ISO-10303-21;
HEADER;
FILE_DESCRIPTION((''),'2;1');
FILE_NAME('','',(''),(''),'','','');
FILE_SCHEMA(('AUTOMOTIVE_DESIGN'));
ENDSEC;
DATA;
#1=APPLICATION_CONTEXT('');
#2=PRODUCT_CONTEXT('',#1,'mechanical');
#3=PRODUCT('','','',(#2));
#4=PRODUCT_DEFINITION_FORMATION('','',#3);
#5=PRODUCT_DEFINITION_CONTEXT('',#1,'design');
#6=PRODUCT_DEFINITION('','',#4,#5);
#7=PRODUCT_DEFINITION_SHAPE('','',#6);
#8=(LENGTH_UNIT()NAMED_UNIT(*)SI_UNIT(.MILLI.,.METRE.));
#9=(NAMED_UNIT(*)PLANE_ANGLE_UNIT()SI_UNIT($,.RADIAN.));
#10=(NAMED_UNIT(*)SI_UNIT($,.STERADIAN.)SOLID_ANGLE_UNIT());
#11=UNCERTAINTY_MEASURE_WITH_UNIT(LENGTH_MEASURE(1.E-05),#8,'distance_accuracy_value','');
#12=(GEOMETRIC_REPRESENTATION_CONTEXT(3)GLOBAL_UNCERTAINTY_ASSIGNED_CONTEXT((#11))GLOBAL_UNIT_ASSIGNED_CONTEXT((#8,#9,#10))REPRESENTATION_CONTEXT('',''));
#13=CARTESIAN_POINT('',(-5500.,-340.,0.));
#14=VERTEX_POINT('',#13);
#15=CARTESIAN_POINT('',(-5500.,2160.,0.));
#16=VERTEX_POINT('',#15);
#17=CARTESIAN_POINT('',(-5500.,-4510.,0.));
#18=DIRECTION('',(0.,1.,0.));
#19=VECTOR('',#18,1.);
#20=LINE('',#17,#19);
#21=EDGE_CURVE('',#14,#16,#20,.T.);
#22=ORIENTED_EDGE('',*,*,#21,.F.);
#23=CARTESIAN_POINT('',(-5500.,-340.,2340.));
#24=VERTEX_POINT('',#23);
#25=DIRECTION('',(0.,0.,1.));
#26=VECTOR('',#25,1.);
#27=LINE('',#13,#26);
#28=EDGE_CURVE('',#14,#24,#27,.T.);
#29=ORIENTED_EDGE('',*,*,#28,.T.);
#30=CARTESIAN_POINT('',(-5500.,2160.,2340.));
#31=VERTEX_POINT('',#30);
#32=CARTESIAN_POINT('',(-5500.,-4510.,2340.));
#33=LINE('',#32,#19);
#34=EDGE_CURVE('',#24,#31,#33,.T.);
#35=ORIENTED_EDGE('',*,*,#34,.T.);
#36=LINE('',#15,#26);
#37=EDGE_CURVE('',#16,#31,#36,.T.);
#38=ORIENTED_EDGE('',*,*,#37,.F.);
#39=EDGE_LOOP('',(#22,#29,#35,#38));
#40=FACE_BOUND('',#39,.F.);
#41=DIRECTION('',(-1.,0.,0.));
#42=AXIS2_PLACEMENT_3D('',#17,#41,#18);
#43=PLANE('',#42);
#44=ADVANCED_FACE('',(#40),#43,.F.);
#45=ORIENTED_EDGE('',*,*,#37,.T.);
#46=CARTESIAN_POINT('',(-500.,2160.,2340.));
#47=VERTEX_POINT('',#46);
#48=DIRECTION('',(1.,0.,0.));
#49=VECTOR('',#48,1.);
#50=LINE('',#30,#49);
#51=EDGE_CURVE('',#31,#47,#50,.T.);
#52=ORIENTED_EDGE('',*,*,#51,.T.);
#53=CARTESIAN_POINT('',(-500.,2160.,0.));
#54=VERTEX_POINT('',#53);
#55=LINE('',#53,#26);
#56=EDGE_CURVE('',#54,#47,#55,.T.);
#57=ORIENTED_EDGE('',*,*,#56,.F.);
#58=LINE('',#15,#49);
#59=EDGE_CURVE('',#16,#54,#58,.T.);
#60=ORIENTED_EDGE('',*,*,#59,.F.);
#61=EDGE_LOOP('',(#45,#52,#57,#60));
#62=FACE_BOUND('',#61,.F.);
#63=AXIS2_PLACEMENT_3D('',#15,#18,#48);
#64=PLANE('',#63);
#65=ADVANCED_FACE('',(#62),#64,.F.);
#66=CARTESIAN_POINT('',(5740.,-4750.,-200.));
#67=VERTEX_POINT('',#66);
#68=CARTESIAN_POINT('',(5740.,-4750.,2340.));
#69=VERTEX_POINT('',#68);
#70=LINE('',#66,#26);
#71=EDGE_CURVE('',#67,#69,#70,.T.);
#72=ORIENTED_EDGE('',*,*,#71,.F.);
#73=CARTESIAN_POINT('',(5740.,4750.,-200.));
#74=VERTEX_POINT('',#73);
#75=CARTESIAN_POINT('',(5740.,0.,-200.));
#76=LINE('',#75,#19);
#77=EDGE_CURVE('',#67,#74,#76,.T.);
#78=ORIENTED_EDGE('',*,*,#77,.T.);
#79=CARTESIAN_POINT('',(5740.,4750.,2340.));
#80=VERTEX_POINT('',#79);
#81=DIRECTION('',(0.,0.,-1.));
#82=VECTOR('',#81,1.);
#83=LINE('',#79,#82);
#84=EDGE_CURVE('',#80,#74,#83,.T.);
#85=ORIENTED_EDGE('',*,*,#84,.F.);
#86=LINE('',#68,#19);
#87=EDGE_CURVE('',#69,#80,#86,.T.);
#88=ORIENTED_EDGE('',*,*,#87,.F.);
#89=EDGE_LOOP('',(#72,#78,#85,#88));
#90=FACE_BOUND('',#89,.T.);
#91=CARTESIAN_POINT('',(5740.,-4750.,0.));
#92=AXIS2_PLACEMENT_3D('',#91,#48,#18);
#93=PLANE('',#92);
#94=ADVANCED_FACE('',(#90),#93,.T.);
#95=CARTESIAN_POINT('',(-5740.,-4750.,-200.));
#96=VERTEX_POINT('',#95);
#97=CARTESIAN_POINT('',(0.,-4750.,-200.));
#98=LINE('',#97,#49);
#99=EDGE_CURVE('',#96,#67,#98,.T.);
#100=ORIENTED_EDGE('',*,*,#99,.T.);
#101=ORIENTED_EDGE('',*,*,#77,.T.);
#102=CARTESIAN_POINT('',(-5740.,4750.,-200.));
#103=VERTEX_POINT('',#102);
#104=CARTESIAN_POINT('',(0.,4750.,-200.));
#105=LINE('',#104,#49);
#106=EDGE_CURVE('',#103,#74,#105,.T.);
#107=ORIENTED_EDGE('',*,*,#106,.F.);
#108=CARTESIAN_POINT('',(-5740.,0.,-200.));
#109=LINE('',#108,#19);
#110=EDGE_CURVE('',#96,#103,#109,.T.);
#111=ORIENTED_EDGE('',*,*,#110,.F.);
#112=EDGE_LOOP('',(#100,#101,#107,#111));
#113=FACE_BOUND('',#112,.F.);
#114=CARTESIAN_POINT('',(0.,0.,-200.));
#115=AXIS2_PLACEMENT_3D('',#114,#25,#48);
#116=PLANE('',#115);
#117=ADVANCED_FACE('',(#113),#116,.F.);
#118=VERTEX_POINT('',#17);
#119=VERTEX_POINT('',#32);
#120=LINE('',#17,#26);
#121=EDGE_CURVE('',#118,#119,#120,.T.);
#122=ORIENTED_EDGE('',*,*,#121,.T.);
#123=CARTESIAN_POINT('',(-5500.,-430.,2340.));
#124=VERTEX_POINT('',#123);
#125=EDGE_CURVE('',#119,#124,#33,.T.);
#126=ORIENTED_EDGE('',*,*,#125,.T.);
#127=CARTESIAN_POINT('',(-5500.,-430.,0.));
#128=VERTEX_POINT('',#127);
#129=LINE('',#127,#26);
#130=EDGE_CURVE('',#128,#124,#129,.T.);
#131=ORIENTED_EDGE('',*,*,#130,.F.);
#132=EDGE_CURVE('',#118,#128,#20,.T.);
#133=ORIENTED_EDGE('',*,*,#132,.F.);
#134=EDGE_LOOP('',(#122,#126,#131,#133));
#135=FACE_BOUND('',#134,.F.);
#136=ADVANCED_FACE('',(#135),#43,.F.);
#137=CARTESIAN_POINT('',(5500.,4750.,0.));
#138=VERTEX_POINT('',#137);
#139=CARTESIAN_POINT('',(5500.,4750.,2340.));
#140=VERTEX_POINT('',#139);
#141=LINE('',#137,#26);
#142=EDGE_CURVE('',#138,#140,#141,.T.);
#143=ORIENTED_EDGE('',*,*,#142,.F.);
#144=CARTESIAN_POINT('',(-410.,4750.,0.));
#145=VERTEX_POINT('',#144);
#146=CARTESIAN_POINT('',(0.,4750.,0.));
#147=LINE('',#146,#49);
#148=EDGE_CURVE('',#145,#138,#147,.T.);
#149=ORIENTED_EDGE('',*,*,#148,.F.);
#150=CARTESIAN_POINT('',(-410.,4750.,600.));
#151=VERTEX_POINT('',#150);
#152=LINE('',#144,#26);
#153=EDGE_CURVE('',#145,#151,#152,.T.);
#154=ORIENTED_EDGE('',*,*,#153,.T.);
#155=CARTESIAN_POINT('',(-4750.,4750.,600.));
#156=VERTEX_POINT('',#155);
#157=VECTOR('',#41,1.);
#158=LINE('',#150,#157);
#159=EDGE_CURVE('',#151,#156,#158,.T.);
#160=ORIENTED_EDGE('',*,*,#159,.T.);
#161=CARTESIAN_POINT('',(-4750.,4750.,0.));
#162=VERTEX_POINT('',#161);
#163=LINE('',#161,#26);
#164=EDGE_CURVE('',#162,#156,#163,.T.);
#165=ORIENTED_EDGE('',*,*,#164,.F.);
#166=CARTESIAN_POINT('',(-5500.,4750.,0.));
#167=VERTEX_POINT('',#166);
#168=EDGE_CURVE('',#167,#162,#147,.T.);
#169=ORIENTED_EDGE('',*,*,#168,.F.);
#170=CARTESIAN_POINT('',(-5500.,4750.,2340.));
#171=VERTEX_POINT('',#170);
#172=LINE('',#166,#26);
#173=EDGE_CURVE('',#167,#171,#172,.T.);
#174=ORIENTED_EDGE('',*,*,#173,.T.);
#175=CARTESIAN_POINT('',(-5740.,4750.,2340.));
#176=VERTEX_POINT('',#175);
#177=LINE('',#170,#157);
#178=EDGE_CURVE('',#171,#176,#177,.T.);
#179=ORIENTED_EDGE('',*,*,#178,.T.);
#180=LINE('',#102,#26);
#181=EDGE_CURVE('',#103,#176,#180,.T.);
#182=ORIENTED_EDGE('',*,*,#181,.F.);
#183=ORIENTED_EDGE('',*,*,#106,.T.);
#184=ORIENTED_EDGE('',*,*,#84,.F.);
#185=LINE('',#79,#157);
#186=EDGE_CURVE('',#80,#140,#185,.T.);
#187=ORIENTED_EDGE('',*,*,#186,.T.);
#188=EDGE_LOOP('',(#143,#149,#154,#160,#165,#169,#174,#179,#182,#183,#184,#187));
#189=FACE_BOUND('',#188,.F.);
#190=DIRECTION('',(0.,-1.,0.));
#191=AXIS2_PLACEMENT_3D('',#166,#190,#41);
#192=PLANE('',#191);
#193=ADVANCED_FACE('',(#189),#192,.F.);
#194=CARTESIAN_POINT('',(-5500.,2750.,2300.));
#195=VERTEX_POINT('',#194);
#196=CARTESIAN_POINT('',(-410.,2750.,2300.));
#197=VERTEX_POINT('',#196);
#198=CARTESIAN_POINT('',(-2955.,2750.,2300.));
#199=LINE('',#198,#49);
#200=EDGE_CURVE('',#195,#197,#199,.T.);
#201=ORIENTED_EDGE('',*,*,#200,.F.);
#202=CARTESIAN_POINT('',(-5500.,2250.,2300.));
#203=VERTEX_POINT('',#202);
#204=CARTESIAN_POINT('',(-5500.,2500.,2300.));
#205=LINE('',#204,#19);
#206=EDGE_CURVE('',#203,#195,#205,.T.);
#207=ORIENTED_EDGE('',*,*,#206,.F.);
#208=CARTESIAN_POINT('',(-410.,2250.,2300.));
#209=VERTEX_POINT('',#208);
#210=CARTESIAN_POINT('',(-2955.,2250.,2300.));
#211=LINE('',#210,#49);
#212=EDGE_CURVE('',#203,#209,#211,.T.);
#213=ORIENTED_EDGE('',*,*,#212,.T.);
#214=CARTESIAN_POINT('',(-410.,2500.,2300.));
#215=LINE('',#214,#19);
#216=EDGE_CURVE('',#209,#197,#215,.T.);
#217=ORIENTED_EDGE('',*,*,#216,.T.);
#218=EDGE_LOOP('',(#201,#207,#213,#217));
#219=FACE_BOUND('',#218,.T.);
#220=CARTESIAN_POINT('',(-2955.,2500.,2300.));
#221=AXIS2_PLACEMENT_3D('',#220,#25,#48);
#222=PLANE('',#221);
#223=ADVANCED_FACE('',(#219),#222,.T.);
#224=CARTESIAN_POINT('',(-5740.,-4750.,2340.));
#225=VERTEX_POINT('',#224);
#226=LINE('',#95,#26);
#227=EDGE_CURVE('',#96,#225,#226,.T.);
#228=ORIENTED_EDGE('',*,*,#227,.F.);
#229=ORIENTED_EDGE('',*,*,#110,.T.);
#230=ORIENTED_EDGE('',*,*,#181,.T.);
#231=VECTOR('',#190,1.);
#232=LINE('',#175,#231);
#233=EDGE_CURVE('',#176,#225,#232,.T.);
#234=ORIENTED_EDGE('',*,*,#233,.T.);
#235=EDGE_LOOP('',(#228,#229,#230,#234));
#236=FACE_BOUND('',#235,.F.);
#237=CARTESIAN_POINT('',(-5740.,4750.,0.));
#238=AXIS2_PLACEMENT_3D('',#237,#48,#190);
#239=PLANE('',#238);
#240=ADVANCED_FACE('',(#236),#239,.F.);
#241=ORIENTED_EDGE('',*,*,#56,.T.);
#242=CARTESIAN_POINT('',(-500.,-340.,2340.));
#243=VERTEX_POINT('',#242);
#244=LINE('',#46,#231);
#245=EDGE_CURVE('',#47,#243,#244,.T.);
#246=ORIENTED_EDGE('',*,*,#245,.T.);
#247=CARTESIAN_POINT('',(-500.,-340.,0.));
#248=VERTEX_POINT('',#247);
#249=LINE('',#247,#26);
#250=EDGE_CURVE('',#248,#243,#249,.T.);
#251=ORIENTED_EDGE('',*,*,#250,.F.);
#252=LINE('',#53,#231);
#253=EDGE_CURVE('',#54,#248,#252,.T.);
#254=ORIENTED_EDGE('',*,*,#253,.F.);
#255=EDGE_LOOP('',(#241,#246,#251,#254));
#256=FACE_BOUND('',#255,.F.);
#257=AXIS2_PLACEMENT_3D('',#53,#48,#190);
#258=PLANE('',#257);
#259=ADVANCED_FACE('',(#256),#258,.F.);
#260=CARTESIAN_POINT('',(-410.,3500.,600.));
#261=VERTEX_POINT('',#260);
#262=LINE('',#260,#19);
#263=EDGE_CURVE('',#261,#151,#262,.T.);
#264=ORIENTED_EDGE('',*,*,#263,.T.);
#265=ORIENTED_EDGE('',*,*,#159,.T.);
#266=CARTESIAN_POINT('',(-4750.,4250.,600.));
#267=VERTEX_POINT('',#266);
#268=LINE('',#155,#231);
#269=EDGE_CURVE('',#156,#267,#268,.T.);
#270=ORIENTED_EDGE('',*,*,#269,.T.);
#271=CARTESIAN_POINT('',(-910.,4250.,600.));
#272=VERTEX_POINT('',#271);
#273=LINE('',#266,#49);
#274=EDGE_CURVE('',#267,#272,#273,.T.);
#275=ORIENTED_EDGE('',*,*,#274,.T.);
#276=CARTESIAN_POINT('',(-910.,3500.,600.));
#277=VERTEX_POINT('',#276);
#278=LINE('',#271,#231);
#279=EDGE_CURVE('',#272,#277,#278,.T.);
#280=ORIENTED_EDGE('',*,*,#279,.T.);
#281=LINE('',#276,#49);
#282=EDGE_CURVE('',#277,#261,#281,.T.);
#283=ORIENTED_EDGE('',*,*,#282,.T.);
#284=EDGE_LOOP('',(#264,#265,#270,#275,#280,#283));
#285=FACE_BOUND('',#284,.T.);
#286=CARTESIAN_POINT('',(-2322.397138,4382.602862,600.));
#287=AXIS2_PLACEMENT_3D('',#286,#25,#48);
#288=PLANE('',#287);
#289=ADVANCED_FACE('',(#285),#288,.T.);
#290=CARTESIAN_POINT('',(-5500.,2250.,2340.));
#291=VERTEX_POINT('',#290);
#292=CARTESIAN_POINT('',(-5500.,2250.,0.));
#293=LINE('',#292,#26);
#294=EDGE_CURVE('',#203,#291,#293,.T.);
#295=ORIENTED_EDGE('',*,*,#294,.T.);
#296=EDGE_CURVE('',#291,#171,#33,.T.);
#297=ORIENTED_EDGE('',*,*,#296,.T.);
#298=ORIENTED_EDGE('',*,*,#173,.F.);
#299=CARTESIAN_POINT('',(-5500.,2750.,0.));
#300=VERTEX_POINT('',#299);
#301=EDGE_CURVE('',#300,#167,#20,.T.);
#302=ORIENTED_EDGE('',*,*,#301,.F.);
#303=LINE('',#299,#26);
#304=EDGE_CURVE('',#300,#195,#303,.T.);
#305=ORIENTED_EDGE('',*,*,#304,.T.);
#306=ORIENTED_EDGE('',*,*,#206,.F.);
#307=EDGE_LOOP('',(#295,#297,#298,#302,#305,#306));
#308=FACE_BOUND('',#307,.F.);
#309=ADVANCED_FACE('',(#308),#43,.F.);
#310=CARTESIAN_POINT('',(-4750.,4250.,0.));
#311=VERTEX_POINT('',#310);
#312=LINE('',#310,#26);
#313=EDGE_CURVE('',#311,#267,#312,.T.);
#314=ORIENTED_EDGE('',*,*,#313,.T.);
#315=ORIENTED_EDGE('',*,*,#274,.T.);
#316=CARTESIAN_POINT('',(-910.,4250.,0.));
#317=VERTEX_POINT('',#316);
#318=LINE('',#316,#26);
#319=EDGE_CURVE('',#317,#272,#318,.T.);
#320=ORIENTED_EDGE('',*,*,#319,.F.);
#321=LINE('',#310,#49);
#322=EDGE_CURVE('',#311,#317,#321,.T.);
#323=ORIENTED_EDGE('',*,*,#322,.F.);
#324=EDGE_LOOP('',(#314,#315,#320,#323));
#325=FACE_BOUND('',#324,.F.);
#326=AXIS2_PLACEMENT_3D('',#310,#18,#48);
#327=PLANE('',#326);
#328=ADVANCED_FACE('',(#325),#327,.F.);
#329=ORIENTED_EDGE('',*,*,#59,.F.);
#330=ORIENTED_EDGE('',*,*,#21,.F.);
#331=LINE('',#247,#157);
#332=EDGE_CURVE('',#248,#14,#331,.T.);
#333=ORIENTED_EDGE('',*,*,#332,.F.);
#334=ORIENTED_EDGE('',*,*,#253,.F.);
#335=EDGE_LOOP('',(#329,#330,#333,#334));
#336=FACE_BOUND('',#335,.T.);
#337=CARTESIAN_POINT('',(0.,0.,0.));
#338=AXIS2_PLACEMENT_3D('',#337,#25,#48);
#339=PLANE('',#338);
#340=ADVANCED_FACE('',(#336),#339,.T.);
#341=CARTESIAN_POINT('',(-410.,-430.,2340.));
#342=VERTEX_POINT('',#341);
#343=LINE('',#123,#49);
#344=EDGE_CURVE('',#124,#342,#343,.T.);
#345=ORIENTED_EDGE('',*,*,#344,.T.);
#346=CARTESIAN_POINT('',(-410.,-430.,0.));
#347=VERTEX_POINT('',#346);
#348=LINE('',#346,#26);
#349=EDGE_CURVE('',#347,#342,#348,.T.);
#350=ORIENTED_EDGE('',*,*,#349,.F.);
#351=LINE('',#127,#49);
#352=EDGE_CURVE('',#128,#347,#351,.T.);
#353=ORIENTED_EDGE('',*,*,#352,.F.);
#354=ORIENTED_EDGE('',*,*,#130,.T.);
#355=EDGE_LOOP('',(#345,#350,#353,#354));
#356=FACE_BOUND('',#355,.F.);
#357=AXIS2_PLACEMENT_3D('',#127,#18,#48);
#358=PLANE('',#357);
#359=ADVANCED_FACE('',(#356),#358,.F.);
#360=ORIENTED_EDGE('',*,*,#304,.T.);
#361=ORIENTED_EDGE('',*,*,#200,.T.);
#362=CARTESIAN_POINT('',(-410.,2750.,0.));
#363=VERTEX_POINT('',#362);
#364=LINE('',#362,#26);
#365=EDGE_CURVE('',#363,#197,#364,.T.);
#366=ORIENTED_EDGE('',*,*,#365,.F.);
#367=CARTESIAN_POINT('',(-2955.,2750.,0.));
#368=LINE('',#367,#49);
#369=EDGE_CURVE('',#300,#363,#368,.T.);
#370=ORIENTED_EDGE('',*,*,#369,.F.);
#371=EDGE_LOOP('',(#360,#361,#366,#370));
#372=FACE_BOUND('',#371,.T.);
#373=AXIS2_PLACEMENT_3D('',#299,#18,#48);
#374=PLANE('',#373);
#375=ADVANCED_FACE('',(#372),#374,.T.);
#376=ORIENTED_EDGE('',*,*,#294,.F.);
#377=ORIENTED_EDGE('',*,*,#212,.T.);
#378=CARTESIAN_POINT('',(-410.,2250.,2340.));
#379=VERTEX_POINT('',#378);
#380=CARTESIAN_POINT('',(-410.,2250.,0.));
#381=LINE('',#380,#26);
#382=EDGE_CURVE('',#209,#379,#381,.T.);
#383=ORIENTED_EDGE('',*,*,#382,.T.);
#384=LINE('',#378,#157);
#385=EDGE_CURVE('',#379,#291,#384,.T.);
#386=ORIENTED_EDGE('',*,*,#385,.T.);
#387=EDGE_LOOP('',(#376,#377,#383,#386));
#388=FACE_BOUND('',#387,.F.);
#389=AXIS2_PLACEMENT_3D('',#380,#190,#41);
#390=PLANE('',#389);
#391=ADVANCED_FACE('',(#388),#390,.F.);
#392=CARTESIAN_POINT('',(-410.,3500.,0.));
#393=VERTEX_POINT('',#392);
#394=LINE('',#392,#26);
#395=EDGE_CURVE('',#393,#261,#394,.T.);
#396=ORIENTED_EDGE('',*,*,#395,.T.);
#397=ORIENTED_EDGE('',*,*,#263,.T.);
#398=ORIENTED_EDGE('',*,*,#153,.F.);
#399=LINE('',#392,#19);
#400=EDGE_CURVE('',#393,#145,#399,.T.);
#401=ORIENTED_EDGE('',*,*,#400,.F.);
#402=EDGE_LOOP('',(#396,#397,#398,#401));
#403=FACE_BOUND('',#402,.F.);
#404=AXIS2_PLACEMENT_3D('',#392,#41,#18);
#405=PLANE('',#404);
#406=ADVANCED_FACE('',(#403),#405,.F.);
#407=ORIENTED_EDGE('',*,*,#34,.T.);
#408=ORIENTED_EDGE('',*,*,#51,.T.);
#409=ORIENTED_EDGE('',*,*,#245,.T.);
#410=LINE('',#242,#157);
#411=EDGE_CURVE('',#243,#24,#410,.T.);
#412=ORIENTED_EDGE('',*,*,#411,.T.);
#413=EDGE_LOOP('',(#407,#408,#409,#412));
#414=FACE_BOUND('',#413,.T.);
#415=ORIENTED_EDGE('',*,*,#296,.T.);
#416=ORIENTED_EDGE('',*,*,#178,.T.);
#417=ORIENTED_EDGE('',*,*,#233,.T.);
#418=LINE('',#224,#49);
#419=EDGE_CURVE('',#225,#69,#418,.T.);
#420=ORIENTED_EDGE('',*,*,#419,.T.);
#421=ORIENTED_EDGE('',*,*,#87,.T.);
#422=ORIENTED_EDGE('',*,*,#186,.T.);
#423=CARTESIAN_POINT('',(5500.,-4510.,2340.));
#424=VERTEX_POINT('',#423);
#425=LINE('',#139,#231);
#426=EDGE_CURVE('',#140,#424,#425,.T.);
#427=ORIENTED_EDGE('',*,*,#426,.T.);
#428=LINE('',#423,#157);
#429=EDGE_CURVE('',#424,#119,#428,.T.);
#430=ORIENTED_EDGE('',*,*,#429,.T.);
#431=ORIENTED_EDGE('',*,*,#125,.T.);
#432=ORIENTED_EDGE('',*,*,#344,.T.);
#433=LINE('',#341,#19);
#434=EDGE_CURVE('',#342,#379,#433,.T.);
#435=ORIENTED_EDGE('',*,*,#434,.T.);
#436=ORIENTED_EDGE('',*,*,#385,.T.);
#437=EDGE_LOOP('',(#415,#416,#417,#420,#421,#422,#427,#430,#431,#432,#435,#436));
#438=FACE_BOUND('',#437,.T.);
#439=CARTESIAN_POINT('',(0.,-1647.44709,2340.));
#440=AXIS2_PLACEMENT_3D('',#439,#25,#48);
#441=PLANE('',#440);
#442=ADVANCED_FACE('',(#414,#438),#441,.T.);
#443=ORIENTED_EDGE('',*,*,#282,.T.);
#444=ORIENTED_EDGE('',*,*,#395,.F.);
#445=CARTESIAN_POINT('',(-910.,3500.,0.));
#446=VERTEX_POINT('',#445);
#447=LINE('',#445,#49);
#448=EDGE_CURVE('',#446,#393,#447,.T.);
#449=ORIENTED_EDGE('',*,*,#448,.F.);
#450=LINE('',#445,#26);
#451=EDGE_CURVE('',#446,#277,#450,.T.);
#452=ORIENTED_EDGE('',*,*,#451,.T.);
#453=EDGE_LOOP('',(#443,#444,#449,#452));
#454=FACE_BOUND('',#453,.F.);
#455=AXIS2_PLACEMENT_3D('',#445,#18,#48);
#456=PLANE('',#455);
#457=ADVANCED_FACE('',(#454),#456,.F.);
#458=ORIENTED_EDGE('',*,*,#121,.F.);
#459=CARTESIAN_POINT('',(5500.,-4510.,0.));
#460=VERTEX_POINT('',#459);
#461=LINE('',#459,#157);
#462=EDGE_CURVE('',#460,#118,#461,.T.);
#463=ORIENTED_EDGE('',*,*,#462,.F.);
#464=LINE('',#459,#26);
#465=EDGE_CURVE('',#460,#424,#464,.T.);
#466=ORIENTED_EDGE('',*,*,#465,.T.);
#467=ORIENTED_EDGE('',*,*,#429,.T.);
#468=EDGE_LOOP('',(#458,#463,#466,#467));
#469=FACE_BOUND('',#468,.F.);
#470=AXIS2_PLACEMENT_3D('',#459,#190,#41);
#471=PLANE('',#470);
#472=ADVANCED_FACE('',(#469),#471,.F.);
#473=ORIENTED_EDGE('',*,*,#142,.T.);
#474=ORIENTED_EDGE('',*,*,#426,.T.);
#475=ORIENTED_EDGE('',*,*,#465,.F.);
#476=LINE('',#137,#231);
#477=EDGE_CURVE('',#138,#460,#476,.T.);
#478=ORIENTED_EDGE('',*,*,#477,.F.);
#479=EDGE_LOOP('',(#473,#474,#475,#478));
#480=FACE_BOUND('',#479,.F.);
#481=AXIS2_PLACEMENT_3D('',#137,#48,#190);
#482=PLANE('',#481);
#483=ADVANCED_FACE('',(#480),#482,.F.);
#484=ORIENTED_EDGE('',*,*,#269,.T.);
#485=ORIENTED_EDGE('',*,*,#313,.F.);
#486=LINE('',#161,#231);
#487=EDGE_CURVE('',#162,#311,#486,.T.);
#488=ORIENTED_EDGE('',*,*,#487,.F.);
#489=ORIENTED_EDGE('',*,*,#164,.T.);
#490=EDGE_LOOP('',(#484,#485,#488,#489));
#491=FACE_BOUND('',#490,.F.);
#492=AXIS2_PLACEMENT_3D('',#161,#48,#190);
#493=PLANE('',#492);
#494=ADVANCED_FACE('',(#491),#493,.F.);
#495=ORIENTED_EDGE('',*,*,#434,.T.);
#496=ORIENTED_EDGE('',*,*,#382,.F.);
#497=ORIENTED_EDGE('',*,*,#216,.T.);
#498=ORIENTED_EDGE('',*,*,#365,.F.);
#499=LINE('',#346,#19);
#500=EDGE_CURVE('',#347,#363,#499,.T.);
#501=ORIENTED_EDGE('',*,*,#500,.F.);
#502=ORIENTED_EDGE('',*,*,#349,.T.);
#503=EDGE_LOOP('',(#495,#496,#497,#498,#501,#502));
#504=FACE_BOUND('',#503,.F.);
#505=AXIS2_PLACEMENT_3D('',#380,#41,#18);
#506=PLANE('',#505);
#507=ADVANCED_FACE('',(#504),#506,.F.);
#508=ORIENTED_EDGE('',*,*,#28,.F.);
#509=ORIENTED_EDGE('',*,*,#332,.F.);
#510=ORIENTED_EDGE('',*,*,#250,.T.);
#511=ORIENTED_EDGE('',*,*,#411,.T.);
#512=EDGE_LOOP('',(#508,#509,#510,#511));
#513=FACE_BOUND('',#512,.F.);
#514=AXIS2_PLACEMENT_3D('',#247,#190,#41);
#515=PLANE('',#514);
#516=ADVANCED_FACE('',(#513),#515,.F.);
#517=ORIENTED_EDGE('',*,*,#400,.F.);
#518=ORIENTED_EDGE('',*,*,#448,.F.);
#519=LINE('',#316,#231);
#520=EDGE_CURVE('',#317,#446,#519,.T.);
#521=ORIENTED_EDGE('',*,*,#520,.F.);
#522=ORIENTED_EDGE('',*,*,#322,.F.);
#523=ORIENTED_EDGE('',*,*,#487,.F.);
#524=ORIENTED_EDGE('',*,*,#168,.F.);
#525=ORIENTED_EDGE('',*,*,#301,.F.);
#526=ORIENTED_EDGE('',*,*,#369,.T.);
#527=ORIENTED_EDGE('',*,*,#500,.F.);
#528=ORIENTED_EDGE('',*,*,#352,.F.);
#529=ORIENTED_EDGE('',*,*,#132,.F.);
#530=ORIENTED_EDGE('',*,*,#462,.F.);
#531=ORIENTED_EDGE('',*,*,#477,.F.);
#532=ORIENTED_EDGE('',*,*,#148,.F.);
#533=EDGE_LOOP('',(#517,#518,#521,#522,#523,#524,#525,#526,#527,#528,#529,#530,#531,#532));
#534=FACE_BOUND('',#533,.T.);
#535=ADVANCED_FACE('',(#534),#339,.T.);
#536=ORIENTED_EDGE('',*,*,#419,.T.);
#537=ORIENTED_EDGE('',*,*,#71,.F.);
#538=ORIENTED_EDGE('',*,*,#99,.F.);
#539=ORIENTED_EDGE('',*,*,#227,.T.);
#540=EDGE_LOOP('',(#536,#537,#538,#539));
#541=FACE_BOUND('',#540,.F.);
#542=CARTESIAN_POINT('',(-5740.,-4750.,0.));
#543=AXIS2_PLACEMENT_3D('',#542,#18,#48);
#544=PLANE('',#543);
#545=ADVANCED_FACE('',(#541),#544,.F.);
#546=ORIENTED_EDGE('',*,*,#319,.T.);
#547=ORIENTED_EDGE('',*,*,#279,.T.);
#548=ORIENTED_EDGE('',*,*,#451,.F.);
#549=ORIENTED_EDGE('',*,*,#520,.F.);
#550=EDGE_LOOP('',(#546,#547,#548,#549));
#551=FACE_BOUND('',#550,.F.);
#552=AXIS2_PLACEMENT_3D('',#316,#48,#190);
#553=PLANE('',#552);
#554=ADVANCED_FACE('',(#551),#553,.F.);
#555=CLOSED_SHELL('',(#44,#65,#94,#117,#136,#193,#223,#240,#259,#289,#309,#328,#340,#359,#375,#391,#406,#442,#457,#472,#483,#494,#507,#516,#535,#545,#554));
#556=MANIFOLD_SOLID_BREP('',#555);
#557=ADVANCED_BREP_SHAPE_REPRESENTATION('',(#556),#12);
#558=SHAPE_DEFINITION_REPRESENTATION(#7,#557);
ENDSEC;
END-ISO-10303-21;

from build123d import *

# Parameters (mm, degrees)
F0_W     = 11480
F0_H     = 9500
F1_DEPTH = 200
F3_DEPTH = 2340
F5_DEPTH = 2340
F6_W     = 5090
F6_H     = 500
F7_DEPTH = 2300
F8_DEPTH = 600


with BuildPart() as f1:
    # F0 (on Top) → F1 (new body)
    with BuildSketch(Plane.XY):
        Rectangle(F0_W, F0_H)
    extrude(amount=-F1_DEPTH)

    # F2 (on face) → F3 (join)
    with BuildSketch(Plane.XY):
        Polygon((-5500, 4750), (-5740, 4750), (-5740, -4750), (-5500, -4750), (5740, -4750), (5740, -4510), (5740, 4750), (5500, 4750), (5500, -4510), (-5500, -4510), align=None)
    extrude(amount=F3_DEPTH)

    # F4 (on face) → F5 (join)
    with BuildSketch(Plane.XY):
        Polygon((-5500, -340), (-5500, -430), (-410, -430), (-410, -340), (-410, 2160), (-410, 2250), (-5500, 2250), (-5500, 2160), (-500, 2160), (-500, -340), align=None)
    extrude(amount=F5_DEPTH)

    # F6 (on face) → F7 (join)
    with BuildSketch(Plane.XY):
        with Locations((-2955, 2500)):
            Rectangle(F6_W, F6_H)
    extrude(amount=F7_DEPTH)

    # F6 (on face) → F8 (join)
    with BuildSketch(Plane.XY):
        Polygon((-910, 4750), (-4750, 4750), (-4750, 4250), (-910, 4250), (-910, 3500), (-410, 3500), (-410, 4250), (-410, 4750), align=None)
    extrude(amount=F8_DEPTH)


solid = f1.part
